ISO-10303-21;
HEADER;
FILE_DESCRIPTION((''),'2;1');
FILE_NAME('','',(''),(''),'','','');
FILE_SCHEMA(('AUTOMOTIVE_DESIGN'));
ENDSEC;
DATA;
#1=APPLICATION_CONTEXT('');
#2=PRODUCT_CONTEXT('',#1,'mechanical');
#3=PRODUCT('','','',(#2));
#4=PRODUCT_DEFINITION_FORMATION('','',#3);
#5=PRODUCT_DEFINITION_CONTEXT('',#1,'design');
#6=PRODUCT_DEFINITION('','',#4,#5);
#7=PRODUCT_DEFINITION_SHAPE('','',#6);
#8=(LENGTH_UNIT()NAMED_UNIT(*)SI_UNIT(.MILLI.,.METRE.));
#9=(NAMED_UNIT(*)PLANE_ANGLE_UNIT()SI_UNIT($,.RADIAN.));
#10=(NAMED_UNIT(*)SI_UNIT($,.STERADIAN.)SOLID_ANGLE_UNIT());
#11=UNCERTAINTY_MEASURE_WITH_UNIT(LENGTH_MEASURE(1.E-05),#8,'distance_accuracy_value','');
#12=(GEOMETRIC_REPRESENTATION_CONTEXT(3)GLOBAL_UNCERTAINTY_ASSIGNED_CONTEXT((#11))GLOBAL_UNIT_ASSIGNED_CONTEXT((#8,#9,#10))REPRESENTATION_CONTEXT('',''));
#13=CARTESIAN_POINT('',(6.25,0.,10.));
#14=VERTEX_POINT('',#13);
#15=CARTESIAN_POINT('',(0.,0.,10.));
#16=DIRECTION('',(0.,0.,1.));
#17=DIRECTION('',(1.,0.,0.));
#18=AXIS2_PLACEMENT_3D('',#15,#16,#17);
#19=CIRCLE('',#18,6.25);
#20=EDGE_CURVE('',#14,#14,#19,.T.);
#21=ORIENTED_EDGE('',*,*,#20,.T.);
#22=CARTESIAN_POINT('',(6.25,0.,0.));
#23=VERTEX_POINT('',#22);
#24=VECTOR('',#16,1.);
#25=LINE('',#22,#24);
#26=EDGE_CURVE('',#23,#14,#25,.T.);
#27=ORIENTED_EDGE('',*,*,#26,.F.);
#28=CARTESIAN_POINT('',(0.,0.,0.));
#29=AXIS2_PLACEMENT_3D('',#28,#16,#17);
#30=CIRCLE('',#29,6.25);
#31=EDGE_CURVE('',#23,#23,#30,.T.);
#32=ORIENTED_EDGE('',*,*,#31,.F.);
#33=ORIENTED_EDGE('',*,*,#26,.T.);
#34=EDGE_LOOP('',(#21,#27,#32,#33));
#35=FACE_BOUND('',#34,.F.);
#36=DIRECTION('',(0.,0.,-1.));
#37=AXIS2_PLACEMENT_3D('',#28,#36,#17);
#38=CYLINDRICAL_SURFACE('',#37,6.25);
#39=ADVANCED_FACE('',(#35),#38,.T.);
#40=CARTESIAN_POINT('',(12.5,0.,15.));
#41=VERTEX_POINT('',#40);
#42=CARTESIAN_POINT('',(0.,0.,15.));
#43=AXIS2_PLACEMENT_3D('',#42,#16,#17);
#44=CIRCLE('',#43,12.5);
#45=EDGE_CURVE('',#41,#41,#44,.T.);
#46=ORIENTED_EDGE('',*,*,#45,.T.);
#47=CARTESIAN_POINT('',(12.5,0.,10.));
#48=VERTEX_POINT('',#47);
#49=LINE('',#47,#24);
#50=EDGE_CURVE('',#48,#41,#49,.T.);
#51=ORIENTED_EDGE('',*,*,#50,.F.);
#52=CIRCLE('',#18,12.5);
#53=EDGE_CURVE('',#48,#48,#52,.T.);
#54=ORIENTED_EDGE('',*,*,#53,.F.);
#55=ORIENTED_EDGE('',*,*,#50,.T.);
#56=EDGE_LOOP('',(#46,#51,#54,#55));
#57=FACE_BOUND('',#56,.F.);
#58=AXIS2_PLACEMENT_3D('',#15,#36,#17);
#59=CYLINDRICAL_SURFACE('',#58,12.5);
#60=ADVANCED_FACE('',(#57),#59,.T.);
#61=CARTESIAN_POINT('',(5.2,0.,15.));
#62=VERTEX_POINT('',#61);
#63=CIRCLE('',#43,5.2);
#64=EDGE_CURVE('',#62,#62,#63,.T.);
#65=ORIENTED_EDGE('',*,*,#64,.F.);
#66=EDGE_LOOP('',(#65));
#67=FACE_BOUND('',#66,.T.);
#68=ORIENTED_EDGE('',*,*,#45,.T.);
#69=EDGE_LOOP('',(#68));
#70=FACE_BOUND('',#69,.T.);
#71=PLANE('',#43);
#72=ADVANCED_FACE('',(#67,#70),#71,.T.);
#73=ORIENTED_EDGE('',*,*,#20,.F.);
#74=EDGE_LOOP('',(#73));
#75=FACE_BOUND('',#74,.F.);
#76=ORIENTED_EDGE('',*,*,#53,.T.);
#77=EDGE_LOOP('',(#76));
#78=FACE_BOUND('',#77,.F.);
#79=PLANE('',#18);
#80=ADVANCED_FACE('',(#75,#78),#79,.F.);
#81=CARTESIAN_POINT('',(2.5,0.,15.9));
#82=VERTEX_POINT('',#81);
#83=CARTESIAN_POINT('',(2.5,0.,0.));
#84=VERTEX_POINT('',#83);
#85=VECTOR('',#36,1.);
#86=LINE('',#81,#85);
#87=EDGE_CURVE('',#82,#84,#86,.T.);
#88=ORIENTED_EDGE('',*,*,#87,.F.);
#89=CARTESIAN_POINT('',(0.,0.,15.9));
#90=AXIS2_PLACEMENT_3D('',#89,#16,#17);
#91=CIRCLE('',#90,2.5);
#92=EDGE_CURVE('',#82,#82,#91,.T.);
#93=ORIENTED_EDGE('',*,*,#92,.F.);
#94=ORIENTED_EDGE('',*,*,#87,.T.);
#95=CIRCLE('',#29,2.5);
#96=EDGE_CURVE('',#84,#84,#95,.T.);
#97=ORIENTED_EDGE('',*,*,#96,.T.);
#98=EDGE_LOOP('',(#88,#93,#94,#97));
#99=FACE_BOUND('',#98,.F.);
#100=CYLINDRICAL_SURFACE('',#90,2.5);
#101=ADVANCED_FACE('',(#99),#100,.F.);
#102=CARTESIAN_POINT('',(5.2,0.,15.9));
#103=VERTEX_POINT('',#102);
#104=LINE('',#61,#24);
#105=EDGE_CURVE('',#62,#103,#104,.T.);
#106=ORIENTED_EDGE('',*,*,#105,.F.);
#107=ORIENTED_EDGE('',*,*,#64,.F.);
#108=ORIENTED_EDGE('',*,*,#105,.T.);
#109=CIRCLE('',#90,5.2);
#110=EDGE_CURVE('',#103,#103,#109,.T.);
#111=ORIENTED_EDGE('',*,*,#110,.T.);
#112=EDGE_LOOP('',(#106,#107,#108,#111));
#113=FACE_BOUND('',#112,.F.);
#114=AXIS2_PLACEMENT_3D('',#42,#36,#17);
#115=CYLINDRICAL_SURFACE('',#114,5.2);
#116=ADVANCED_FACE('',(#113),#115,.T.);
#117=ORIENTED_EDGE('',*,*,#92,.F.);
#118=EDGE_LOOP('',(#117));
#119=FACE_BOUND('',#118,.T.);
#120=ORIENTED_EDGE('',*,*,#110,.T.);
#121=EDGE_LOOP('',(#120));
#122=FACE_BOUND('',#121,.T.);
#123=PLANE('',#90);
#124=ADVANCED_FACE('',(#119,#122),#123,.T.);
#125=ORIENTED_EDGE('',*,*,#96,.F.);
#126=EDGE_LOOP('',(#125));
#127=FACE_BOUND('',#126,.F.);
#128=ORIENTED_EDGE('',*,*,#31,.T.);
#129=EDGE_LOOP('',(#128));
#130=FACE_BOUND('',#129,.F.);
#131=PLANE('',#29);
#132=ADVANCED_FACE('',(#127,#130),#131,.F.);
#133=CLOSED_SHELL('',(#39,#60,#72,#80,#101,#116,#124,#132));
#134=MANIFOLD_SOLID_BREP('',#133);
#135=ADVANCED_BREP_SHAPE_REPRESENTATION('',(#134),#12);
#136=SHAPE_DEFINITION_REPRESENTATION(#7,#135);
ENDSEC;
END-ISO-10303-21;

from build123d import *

# Parameters (mm, degrees)
SKETCH019_R   = 6.25
PAD007_DEPTH  = 10
SKETCH020_R   = 12.5
PAD008_DEPTH  = 5
SKETCH021_R   = 5.2
PAD009_DEPTH  = 0.9
SKETCH022_R   = 2.5
HOLE006_DEPTH = 25


with BuildPart() as part:
    # Sketch019 → Pad007 (new body)
    with BuildSketch(Plane.XY):
        Circle(SKETCH019_R)
    extrude(amount=PAD007_DEPTH)

    # Sketch020 (on Face3 of Pad007) → Pad008 (join)
    with BuildSketch(Plane.XY.offset(10)):
        Circle(SKETCH020_R)
    extrude(amount=PAD008_DEPTH)

    # Sketch021 (on Face3 of Pad008) → Pad009 (join)
    with BuildSketch(Plane.XY.offset(15)):
        Circle(SKETCH021_R)
    extrude(amount=PAD009_DEPTH)

    # Sketch022 (on Face7 of Pad009) → Hole006 (cut)
    with BuildSketch(Plane.XY.offset(15.9)):
        Circle(SKETCH022_R)
    extrude(amount=-HOLE006_DEPTH, mode=Mode.SUBTRACT)


solid = part.part
